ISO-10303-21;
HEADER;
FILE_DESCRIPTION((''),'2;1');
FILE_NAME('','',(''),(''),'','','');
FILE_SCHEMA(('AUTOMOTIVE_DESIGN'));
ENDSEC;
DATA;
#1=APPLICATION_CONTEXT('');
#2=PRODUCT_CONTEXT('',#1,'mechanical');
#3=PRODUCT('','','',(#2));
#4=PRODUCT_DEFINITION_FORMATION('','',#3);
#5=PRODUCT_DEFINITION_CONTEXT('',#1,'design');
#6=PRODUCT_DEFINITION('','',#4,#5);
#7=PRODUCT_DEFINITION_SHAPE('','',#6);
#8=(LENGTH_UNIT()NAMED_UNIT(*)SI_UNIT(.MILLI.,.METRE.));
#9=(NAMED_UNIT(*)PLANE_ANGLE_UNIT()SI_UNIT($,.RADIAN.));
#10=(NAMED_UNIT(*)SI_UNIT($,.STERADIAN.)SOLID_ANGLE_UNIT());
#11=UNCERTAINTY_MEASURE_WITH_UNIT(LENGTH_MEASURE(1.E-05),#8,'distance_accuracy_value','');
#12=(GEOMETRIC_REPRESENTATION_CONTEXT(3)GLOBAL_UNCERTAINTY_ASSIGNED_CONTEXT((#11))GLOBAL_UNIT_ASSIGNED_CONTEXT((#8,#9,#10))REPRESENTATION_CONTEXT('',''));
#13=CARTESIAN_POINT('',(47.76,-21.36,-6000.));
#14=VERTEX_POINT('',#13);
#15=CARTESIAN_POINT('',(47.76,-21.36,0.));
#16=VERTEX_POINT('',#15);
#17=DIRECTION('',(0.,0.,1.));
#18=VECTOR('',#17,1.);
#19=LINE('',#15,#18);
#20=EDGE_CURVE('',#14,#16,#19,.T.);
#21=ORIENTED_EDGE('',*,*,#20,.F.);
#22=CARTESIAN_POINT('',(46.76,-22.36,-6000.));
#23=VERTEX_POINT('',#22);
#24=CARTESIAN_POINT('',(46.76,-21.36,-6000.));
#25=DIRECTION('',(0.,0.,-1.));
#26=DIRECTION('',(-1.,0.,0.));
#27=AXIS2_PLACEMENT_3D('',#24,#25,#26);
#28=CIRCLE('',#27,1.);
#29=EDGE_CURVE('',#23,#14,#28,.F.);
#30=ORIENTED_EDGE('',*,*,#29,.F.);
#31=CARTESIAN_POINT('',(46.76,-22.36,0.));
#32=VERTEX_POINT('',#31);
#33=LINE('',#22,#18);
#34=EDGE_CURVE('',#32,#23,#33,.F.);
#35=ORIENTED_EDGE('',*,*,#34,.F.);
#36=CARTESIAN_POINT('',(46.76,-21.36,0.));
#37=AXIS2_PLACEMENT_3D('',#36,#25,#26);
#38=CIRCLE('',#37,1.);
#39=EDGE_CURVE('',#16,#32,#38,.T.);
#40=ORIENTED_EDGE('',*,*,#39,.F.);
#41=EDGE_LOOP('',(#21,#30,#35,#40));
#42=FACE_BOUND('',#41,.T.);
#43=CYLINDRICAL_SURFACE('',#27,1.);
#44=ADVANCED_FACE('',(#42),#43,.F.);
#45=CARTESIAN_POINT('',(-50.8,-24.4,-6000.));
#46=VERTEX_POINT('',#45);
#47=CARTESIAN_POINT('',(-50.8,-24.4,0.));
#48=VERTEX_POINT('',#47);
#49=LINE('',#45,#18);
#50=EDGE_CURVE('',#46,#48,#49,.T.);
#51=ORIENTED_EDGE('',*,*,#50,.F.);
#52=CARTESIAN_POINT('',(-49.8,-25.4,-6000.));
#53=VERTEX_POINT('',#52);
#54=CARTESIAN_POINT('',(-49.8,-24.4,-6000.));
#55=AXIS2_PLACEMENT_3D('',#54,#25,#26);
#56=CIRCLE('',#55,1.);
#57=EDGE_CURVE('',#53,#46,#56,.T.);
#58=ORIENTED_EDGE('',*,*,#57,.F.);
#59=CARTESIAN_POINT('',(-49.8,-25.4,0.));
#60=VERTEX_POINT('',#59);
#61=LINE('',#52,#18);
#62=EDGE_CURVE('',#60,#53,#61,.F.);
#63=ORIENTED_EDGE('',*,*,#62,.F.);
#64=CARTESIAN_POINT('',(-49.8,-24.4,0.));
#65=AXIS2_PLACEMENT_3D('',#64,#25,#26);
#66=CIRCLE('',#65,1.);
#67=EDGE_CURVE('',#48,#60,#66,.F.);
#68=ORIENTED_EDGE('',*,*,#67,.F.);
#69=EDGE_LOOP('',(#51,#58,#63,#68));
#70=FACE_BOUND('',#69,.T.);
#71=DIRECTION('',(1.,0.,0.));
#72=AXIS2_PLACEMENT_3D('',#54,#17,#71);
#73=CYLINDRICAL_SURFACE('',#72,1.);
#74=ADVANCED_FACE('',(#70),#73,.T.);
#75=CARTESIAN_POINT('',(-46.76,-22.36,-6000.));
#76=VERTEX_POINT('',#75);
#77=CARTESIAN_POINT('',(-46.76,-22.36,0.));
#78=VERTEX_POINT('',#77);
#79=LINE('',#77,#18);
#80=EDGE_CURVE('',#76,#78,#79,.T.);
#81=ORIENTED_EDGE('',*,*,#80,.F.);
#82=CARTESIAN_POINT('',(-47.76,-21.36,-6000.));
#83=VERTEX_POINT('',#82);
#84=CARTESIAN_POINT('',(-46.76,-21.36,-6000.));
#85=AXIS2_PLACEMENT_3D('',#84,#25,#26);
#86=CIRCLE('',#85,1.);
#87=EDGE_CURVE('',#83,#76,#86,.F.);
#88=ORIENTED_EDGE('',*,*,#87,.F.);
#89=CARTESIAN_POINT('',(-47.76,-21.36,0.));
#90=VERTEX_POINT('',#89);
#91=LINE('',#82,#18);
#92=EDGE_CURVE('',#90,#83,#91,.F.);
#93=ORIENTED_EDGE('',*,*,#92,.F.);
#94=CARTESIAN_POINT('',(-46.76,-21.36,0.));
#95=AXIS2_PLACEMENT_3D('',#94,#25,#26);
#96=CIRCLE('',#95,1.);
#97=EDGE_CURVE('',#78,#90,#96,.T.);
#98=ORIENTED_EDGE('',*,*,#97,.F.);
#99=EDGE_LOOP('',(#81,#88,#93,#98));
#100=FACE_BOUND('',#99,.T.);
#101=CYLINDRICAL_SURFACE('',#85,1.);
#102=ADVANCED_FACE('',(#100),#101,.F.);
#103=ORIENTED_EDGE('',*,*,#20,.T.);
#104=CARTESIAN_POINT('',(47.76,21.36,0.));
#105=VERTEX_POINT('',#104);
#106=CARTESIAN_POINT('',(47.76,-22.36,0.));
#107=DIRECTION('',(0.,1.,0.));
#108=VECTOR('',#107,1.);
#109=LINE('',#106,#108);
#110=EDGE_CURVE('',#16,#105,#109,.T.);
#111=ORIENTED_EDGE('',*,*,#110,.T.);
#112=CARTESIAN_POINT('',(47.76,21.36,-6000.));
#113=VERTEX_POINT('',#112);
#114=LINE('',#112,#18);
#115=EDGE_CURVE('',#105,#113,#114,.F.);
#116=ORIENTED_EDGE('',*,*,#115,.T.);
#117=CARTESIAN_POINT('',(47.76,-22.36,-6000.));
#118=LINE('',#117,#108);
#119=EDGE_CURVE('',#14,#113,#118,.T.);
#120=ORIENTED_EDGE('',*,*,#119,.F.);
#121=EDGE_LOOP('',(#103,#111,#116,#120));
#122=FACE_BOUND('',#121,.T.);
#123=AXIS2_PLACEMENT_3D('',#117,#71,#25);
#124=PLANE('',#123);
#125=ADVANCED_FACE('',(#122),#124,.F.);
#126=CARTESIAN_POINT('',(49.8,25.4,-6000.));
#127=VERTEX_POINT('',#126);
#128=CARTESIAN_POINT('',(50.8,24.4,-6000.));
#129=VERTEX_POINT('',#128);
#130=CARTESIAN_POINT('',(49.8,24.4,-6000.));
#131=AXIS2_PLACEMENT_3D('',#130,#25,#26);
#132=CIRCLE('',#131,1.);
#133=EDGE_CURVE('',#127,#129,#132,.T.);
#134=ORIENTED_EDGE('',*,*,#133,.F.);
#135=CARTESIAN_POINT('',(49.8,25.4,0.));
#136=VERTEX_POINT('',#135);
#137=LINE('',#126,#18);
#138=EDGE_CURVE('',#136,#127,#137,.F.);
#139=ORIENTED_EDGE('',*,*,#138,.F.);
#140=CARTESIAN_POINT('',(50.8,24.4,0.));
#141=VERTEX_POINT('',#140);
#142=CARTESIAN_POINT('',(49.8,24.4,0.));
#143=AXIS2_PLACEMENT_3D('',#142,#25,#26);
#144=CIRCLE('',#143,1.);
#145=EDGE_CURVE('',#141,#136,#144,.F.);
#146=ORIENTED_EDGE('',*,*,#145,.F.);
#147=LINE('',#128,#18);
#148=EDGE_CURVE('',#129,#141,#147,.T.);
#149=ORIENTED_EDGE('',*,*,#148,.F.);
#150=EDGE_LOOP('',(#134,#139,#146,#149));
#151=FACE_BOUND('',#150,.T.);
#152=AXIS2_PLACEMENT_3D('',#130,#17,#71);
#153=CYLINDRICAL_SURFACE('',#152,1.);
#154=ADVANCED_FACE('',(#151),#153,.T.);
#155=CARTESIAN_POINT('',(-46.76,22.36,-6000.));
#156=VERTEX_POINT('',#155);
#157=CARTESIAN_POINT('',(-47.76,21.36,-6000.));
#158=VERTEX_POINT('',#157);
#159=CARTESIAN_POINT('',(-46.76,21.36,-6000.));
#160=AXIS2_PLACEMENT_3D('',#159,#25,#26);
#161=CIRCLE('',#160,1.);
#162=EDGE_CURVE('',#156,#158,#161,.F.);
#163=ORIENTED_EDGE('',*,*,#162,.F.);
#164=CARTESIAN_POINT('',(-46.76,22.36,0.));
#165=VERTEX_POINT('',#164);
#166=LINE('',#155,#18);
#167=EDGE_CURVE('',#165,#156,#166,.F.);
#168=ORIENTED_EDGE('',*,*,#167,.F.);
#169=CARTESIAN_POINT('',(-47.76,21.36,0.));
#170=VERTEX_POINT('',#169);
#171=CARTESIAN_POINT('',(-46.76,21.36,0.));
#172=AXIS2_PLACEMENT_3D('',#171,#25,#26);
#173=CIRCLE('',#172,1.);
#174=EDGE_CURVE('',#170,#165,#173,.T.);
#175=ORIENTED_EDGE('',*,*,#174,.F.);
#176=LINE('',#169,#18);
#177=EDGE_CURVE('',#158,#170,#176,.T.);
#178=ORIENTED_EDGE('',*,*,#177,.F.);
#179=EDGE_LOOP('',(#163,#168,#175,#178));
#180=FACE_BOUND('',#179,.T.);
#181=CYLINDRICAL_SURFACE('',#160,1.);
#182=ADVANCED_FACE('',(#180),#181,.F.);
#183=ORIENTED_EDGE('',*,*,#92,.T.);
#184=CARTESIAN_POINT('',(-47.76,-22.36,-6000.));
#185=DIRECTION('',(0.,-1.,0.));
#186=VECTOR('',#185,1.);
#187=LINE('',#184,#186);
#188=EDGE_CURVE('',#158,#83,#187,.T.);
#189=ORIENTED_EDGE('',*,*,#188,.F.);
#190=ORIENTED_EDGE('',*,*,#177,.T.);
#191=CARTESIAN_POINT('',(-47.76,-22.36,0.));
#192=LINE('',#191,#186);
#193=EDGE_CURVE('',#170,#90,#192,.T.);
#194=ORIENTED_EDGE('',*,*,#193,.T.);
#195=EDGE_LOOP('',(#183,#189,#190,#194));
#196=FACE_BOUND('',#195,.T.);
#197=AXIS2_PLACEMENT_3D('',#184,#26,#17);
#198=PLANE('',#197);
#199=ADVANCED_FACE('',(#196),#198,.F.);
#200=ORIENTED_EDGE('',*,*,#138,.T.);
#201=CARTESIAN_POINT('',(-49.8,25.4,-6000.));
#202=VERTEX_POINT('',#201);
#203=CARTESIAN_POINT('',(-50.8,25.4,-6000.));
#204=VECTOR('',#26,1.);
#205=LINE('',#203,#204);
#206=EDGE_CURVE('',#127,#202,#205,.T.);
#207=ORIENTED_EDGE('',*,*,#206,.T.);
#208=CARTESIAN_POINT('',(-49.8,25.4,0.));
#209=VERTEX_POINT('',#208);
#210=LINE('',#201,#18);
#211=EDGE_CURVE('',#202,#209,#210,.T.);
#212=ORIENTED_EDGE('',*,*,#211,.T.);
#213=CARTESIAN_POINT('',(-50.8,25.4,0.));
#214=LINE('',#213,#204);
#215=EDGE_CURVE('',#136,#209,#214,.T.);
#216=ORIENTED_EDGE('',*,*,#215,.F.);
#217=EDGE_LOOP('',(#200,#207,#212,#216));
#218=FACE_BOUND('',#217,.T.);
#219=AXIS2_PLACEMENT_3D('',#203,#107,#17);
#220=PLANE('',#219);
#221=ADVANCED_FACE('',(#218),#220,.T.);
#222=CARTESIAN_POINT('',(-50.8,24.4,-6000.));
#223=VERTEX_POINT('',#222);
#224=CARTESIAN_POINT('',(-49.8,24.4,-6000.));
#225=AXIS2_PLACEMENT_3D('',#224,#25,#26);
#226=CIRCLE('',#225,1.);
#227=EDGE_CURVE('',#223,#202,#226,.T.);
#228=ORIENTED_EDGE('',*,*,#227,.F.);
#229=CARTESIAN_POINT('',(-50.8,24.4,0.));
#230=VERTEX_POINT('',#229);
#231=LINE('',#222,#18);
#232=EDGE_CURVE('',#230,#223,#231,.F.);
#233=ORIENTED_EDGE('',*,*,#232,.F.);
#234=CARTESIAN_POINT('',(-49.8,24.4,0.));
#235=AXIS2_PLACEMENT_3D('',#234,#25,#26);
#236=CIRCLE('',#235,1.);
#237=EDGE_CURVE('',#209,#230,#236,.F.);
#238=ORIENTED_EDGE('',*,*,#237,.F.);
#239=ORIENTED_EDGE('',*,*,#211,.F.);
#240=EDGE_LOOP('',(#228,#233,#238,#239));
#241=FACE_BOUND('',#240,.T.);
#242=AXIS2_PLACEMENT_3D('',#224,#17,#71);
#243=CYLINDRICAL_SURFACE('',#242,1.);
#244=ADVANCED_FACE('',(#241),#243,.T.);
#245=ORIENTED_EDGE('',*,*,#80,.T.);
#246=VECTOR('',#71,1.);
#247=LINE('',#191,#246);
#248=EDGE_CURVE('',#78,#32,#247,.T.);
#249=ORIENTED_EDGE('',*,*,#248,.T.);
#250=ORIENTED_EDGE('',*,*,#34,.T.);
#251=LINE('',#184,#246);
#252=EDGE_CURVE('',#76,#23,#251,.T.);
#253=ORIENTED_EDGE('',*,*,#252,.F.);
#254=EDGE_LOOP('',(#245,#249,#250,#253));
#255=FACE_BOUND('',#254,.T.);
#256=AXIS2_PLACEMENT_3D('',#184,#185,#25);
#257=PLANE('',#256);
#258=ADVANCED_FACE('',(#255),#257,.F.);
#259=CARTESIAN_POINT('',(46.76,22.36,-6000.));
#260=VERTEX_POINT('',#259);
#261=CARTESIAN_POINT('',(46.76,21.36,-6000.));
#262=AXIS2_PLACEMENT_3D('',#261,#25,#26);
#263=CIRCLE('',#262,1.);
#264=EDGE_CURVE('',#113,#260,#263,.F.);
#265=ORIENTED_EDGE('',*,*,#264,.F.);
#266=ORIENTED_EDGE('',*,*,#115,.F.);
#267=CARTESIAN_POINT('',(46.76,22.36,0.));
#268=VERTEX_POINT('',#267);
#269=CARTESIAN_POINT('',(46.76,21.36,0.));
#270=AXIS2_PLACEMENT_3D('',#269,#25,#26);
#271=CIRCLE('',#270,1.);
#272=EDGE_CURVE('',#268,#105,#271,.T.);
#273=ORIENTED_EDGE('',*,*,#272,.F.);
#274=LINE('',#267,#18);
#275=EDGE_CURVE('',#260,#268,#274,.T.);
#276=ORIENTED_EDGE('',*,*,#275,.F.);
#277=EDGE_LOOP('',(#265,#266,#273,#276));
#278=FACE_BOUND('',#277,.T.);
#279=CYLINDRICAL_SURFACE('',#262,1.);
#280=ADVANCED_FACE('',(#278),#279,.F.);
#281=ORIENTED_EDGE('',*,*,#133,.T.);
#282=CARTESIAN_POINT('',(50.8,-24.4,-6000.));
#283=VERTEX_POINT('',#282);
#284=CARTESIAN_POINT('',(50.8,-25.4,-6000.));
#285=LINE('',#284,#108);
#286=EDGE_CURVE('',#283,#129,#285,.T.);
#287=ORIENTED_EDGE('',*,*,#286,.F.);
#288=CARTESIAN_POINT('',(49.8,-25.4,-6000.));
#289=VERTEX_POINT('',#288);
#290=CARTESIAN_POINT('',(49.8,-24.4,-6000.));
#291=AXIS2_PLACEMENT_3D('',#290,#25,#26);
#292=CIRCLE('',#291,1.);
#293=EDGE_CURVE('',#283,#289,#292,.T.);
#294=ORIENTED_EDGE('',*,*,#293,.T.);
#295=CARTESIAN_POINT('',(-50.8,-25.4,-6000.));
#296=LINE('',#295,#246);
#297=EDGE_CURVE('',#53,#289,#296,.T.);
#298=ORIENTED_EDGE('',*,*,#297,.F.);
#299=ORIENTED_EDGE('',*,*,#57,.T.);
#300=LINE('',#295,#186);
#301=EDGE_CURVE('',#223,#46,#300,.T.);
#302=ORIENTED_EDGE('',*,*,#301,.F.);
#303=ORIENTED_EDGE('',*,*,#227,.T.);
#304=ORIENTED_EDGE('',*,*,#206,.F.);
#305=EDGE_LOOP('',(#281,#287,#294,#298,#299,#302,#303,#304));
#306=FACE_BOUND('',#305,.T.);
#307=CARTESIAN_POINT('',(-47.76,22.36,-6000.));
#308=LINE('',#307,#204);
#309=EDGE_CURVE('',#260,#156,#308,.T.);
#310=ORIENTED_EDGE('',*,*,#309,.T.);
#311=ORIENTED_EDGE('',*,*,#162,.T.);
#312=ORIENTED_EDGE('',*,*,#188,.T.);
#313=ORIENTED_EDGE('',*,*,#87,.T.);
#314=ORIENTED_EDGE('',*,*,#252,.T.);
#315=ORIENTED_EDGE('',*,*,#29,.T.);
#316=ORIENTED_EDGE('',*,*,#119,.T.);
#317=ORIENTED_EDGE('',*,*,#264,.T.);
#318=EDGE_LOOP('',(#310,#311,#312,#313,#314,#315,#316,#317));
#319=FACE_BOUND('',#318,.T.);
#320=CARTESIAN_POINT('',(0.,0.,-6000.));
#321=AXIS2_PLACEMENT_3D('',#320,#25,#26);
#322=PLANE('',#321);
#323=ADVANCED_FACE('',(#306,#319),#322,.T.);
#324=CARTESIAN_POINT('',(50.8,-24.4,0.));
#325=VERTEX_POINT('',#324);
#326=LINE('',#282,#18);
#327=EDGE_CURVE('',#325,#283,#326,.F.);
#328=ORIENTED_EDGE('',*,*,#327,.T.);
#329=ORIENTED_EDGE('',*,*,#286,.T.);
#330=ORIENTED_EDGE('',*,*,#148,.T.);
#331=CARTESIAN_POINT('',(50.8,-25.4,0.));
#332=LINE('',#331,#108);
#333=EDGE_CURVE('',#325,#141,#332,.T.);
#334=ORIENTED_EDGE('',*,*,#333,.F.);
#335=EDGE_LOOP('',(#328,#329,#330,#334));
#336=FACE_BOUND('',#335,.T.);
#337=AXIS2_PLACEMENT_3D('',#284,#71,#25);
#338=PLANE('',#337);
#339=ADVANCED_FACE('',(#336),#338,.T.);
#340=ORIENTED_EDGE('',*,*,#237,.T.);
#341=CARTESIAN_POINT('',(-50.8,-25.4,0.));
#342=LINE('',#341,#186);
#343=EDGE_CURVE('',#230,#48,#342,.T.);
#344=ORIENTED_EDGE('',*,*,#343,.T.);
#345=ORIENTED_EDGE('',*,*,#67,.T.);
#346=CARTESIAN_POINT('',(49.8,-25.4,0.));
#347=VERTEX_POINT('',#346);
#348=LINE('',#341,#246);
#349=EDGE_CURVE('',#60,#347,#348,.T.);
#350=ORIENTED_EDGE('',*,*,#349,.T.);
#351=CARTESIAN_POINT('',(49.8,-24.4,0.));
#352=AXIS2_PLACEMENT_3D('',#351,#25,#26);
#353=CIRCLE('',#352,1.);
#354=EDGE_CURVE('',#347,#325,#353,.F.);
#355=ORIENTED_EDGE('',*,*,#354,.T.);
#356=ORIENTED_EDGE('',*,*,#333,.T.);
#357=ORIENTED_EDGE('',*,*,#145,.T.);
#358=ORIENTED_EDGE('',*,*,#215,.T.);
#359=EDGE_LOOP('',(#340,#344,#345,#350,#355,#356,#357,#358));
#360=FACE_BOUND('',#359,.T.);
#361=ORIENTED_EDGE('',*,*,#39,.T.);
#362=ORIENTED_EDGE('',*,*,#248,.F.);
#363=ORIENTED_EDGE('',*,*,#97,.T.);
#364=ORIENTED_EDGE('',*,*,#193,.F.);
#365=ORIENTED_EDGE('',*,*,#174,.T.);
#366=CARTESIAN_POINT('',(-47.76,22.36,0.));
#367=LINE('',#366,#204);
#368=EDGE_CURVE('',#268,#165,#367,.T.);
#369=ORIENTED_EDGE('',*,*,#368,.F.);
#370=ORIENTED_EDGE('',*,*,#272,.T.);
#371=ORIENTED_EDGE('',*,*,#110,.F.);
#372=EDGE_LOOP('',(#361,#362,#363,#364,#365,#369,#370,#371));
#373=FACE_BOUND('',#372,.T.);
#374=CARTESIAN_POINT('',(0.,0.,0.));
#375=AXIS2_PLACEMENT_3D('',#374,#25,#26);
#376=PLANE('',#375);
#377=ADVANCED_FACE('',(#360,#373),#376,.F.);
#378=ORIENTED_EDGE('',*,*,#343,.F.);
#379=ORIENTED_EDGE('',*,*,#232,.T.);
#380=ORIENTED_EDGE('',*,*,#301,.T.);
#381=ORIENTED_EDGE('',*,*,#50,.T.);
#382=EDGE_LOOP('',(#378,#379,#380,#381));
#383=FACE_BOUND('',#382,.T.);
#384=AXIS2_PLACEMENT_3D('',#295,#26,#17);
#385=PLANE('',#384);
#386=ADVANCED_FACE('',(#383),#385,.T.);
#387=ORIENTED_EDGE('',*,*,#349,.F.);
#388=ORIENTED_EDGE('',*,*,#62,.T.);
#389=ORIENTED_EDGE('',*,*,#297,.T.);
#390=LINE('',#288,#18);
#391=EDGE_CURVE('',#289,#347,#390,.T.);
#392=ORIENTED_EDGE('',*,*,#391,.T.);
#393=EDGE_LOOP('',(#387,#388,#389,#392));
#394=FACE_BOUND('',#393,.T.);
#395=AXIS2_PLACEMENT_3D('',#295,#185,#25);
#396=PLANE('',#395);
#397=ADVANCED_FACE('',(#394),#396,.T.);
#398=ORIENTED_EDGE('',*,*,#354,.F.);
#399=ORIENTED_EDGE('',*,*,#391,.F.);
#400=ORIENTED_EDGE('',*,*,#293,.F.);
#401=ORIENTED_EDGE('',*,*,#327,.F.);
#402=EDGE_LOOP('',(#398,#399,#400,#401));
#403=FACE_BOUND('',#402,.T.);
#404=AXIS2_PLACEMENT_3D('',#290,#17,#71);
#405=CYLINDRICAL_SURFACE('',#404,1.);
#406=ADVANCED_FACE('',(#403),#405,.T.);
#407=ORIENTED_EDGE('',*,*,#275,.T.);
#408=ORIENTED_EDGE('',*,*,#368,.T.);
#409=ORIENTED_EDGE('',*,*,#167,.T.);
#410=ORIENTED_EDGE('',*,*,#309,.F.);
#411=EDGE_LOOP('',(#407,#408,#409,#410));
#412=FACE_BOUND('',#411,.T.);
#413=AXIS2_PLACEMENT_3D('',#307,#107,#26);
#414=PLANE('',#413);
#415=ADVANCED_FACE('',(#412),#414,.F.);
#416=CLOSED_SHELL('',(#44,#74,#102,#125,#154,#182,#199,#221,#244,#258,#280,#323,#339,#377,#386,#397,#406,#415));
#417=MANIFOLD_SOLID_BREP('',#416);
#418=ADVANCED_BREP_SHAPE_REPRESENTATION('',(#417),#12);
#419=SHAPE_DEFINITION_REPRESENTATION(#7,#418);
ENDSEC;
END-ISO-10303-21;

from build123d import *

# Parameters (mm, degrees)
CROQUIS1_W              = 101.6
CROQUIS1_H              = 50.8
CROQUIS1_W_2            = 95.52
CROQUIS1_H_2            = 44.72
SALIENTE_EXTRUIR1_DEPTH = 6000
REDONDEO1_R             = 1


with BuildPart() as part:
    # Croquis1 → Saliente-Extruir1 (new body)
    with BuildSketch(Plane.XY):
        Rectangle(CROQUIS1_W, CROQUIS1_H)
        Rectangle(CROQUIS1_W_2, CROQUIS1_H_2, mode=Mode.SUBTRACT)
    extrude(amount=-SALIENTE_EXTRUIR1_DEPTH)

    # Redondeo1
    redondeo1_edges = [part.edges().sort_by_distance(p)[0] for p in [
        (47.76, -22.36, -3000),
        (-47.76, -22.36, -3000),
        (-47.76, 22.36, -3000),
        (47.76, 22.36, -3000),
        (50.8, -25.4, -3000),
        (-50.8, -25.4, -3000),
        (-50.8, 25.4, -3000),
        (50.8, 25.4, -3000),
    ]]
    fillet(redondeo1_edges, radius=REDONDEO1_R)


solid = part.part
